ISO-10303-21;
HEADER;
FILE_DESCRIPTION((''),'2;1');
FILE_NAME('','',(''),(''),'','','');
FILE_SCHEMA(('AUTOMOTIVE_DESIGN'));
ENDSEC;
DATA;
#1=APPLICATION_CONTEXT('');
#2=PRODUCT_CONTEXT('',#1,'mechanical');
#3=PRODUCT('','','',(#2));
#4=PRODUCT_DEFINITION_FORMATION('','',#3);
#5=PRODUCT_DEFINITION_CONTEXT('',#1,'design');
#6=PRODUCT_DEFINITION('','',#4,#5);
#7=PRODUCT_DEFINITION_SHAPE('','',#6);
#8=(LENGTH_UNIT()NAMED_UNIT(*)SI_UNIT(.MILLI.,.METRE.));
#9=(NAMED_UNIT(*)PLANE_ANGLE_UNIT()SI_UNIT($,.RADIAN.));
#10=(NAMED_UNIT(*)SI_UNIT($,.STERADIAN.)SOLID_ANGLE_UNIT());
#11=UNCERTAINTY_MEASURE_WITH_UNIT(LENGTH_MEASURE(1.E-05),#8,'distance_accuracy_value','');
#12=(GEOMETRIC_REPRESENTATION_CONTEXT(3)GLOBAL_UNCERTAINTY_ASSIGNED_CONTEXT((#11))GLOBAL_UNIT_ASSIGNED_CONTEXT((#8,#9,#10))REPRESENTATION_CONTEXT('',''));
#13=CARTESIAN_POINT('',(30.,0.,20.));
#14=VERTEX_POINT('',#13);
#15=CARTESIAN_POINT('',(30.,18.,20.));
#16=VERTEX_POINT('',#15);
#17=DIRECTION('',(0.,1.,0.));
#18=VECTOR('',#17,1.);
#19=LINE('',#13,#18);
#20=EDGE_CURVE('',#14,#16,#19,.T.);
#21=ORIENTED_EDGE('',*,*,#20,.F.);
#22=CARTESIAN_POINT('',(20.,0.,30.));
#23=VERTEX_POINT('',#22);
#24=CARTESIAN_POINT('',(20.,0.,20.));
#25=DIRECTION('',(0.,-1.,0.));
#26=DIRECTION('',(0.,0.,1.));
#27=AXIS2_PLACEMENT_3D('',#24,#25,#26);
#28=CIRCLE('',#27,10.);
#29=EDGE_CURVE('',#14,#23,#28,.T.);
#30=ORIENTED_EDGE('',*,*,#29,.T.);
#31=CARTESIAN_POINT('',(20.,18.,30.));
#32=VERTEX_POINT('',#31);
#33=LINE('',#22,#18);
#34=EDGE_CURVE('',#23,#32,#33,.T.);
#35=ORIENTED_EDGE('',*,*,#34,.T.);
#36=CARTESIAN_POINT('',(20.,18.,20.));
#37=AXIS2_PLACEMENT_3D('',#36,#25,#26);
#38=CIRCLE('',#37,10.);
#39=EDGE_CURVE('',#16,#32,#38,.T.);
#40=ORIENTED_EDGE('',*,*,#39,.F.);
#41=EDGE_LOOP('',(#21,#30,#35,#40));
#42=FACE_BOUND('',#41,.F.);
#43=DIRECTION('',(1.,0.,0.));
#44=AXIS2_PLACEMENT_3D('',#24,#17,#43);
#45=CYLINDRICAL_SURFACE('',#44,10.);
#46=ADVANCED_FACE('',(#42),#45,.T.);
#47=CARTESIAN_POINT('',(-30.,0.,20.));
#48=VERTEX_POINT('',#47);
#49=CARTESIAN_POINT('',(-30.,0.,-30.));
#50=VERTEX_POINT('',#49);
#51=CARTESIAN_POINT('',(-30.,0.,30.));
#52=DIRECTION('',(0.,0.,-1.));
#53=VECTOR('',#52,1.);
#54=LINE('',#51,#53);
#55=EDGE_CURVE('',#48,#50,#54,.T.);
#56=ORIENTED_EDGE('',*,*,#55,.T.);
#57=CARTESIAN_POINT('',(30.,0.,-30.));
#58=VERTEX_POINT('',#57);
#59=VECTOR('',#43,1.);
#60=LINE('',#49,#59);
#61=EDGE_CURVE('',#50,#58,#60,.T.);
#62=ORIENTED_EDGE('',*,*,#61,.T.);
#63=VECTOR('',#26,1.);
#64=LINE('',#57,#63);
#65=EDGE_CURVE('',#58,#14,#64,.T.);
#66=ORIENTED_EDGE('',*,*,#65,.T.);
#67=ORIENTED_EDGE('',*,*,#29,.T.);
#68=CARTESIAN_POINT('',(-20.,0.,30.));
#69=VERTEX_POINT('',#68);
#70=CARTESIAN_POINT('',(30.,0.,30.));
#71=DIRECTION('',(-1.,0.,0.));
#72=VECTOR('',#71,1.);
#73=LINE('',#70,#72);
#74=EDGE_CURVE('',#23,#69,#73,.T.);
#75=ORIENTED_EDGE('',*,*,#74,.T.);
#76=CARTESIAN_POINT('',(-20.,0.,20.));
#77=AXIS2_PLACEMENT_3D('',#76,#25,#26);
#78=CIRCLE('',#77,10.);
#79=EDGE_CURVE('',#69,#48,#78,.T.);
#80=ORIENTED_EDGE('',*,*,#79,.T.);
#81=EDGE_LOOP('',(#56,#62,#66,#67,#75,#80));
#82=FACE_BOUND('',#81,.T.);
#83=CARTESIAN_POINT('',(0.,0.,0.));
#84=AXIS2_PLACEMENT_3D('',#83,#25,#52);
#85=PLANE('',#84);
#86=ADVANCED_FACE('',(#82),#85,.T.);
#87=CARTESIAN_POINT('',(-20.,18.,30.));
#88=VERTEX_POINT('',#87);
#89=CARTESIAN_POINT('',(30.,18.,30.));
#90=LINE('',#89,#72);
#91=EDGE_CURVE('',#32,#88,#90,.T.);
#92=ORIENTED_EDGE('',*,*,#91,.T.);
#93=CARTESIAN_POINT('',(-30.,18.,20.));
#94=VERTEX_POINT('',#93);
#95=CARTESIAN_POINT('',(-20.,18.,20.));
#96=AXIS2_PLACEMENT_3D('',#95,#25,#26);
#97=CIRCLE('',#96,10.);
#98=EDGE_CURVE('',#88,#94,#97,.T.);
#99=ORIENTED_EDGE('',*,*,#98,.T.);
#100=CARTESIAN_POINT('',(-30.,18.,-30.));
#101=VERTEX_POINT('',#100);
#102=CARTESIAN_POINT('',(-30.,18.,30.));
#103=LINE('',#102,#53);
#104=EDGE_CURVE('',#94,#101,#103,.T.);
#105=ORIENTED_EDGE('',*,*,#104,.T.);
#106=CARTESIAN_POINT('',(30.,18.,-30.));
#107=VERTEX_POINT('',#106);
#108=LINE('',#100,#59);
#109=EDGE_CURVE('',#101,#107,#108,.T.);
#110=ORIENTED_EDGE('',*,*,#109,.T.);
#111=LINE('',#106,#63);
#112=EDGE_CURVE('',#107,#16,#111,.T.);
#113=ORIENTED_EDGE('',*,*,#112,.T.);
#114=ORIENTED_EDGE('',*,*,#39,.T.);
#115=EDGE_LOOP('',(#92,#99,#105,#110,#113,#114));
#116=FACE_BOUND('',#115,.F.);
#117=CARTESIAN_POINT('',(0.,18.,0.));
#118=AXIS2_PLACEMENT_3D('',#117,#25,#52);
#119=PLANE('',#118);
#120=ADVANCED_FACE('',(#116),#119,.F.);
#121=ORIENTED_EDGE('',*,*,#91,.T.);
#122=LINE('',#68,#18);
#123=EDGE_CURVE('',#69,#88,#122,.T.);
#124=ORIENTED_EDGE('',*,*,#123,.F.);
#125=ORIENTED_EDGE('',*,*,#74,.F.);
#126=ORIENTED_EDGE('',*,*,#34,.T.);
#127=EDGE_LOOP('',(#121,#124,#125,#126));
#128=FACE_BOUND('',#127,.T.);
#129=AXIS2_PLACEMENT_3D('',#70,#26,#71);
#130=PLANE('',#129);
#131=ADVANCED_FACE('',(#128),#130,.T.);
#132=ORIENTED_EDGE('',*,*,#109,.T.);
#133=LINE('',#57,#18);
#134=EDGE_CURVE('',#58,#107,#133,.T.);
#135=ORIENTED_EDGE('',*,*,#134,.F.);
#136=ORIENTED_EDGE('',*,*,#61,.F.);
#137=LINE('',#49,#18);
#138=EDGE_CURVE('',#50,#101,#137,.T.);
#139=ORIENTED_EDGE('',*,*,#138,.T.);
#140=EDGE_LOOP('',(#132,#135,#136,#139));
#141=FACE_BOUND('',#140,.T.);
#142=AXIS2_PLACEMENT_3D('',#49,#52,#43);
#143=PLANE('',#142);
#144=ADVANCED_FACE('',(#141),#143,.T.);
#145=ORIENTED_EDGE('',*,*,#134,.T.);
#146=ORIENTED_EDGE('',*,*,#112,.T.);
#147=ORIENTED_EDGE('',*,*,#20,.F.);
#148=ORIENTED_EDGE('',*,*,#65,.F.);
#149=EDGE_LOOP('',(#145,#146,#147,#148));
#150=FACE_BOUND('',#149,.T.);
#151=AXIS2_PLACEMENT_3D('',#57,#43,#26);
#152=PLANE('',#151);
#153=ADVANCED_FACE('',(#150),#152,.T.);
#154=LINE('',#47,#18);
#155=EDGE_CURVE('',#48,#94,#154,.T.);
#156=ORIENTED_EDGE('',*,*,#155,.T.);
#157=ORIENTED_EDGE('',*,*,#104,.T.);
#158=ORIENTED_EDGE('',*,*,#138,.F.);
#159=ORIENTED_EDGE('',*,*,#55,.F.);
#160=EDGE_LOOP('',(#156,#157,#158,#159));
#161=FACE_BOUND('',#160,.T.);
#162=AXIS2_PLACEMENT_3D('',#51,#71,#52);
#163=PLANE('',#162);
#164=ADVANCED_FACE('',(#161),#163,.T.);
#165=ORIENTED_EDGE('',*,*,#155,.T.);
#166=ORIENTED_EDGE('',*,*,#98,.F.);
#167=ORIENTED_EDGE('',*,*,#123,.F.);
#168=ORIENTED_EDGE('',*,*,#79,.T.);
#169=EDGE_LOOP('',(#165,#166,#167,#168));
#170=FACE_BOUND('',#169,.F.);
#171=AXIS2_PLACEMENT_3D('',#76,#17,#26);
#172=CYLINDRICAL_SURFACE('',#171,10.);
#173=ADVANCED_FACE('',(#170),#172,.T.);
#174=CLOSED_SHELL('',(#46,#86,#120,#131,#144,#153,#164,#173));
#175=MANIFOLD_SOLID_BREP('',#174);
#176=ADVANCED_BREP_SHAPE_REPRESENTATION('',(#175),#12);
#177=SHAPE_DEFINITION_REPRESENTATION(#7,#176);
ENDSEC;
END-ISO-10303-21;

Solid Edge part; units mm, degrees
sketch "Sketch1" plane through (0, 0, 0) normal (0, -1, 0) x (1, 0, 0)
  line L0 (30, -30) -> (30, 30)
  line L1 (30, 30) -> (-30, 30)
  line L2 (-30, 30) -> (-30, -30)
  line L3 (-30, -30) -> (30, -30)
extrude "Protrusion1" add sketch "Sketch1" against normal blind 18
fillet "Round1" radius 10 2 edges at (-30, 9, 30) (30, 9, 30)
